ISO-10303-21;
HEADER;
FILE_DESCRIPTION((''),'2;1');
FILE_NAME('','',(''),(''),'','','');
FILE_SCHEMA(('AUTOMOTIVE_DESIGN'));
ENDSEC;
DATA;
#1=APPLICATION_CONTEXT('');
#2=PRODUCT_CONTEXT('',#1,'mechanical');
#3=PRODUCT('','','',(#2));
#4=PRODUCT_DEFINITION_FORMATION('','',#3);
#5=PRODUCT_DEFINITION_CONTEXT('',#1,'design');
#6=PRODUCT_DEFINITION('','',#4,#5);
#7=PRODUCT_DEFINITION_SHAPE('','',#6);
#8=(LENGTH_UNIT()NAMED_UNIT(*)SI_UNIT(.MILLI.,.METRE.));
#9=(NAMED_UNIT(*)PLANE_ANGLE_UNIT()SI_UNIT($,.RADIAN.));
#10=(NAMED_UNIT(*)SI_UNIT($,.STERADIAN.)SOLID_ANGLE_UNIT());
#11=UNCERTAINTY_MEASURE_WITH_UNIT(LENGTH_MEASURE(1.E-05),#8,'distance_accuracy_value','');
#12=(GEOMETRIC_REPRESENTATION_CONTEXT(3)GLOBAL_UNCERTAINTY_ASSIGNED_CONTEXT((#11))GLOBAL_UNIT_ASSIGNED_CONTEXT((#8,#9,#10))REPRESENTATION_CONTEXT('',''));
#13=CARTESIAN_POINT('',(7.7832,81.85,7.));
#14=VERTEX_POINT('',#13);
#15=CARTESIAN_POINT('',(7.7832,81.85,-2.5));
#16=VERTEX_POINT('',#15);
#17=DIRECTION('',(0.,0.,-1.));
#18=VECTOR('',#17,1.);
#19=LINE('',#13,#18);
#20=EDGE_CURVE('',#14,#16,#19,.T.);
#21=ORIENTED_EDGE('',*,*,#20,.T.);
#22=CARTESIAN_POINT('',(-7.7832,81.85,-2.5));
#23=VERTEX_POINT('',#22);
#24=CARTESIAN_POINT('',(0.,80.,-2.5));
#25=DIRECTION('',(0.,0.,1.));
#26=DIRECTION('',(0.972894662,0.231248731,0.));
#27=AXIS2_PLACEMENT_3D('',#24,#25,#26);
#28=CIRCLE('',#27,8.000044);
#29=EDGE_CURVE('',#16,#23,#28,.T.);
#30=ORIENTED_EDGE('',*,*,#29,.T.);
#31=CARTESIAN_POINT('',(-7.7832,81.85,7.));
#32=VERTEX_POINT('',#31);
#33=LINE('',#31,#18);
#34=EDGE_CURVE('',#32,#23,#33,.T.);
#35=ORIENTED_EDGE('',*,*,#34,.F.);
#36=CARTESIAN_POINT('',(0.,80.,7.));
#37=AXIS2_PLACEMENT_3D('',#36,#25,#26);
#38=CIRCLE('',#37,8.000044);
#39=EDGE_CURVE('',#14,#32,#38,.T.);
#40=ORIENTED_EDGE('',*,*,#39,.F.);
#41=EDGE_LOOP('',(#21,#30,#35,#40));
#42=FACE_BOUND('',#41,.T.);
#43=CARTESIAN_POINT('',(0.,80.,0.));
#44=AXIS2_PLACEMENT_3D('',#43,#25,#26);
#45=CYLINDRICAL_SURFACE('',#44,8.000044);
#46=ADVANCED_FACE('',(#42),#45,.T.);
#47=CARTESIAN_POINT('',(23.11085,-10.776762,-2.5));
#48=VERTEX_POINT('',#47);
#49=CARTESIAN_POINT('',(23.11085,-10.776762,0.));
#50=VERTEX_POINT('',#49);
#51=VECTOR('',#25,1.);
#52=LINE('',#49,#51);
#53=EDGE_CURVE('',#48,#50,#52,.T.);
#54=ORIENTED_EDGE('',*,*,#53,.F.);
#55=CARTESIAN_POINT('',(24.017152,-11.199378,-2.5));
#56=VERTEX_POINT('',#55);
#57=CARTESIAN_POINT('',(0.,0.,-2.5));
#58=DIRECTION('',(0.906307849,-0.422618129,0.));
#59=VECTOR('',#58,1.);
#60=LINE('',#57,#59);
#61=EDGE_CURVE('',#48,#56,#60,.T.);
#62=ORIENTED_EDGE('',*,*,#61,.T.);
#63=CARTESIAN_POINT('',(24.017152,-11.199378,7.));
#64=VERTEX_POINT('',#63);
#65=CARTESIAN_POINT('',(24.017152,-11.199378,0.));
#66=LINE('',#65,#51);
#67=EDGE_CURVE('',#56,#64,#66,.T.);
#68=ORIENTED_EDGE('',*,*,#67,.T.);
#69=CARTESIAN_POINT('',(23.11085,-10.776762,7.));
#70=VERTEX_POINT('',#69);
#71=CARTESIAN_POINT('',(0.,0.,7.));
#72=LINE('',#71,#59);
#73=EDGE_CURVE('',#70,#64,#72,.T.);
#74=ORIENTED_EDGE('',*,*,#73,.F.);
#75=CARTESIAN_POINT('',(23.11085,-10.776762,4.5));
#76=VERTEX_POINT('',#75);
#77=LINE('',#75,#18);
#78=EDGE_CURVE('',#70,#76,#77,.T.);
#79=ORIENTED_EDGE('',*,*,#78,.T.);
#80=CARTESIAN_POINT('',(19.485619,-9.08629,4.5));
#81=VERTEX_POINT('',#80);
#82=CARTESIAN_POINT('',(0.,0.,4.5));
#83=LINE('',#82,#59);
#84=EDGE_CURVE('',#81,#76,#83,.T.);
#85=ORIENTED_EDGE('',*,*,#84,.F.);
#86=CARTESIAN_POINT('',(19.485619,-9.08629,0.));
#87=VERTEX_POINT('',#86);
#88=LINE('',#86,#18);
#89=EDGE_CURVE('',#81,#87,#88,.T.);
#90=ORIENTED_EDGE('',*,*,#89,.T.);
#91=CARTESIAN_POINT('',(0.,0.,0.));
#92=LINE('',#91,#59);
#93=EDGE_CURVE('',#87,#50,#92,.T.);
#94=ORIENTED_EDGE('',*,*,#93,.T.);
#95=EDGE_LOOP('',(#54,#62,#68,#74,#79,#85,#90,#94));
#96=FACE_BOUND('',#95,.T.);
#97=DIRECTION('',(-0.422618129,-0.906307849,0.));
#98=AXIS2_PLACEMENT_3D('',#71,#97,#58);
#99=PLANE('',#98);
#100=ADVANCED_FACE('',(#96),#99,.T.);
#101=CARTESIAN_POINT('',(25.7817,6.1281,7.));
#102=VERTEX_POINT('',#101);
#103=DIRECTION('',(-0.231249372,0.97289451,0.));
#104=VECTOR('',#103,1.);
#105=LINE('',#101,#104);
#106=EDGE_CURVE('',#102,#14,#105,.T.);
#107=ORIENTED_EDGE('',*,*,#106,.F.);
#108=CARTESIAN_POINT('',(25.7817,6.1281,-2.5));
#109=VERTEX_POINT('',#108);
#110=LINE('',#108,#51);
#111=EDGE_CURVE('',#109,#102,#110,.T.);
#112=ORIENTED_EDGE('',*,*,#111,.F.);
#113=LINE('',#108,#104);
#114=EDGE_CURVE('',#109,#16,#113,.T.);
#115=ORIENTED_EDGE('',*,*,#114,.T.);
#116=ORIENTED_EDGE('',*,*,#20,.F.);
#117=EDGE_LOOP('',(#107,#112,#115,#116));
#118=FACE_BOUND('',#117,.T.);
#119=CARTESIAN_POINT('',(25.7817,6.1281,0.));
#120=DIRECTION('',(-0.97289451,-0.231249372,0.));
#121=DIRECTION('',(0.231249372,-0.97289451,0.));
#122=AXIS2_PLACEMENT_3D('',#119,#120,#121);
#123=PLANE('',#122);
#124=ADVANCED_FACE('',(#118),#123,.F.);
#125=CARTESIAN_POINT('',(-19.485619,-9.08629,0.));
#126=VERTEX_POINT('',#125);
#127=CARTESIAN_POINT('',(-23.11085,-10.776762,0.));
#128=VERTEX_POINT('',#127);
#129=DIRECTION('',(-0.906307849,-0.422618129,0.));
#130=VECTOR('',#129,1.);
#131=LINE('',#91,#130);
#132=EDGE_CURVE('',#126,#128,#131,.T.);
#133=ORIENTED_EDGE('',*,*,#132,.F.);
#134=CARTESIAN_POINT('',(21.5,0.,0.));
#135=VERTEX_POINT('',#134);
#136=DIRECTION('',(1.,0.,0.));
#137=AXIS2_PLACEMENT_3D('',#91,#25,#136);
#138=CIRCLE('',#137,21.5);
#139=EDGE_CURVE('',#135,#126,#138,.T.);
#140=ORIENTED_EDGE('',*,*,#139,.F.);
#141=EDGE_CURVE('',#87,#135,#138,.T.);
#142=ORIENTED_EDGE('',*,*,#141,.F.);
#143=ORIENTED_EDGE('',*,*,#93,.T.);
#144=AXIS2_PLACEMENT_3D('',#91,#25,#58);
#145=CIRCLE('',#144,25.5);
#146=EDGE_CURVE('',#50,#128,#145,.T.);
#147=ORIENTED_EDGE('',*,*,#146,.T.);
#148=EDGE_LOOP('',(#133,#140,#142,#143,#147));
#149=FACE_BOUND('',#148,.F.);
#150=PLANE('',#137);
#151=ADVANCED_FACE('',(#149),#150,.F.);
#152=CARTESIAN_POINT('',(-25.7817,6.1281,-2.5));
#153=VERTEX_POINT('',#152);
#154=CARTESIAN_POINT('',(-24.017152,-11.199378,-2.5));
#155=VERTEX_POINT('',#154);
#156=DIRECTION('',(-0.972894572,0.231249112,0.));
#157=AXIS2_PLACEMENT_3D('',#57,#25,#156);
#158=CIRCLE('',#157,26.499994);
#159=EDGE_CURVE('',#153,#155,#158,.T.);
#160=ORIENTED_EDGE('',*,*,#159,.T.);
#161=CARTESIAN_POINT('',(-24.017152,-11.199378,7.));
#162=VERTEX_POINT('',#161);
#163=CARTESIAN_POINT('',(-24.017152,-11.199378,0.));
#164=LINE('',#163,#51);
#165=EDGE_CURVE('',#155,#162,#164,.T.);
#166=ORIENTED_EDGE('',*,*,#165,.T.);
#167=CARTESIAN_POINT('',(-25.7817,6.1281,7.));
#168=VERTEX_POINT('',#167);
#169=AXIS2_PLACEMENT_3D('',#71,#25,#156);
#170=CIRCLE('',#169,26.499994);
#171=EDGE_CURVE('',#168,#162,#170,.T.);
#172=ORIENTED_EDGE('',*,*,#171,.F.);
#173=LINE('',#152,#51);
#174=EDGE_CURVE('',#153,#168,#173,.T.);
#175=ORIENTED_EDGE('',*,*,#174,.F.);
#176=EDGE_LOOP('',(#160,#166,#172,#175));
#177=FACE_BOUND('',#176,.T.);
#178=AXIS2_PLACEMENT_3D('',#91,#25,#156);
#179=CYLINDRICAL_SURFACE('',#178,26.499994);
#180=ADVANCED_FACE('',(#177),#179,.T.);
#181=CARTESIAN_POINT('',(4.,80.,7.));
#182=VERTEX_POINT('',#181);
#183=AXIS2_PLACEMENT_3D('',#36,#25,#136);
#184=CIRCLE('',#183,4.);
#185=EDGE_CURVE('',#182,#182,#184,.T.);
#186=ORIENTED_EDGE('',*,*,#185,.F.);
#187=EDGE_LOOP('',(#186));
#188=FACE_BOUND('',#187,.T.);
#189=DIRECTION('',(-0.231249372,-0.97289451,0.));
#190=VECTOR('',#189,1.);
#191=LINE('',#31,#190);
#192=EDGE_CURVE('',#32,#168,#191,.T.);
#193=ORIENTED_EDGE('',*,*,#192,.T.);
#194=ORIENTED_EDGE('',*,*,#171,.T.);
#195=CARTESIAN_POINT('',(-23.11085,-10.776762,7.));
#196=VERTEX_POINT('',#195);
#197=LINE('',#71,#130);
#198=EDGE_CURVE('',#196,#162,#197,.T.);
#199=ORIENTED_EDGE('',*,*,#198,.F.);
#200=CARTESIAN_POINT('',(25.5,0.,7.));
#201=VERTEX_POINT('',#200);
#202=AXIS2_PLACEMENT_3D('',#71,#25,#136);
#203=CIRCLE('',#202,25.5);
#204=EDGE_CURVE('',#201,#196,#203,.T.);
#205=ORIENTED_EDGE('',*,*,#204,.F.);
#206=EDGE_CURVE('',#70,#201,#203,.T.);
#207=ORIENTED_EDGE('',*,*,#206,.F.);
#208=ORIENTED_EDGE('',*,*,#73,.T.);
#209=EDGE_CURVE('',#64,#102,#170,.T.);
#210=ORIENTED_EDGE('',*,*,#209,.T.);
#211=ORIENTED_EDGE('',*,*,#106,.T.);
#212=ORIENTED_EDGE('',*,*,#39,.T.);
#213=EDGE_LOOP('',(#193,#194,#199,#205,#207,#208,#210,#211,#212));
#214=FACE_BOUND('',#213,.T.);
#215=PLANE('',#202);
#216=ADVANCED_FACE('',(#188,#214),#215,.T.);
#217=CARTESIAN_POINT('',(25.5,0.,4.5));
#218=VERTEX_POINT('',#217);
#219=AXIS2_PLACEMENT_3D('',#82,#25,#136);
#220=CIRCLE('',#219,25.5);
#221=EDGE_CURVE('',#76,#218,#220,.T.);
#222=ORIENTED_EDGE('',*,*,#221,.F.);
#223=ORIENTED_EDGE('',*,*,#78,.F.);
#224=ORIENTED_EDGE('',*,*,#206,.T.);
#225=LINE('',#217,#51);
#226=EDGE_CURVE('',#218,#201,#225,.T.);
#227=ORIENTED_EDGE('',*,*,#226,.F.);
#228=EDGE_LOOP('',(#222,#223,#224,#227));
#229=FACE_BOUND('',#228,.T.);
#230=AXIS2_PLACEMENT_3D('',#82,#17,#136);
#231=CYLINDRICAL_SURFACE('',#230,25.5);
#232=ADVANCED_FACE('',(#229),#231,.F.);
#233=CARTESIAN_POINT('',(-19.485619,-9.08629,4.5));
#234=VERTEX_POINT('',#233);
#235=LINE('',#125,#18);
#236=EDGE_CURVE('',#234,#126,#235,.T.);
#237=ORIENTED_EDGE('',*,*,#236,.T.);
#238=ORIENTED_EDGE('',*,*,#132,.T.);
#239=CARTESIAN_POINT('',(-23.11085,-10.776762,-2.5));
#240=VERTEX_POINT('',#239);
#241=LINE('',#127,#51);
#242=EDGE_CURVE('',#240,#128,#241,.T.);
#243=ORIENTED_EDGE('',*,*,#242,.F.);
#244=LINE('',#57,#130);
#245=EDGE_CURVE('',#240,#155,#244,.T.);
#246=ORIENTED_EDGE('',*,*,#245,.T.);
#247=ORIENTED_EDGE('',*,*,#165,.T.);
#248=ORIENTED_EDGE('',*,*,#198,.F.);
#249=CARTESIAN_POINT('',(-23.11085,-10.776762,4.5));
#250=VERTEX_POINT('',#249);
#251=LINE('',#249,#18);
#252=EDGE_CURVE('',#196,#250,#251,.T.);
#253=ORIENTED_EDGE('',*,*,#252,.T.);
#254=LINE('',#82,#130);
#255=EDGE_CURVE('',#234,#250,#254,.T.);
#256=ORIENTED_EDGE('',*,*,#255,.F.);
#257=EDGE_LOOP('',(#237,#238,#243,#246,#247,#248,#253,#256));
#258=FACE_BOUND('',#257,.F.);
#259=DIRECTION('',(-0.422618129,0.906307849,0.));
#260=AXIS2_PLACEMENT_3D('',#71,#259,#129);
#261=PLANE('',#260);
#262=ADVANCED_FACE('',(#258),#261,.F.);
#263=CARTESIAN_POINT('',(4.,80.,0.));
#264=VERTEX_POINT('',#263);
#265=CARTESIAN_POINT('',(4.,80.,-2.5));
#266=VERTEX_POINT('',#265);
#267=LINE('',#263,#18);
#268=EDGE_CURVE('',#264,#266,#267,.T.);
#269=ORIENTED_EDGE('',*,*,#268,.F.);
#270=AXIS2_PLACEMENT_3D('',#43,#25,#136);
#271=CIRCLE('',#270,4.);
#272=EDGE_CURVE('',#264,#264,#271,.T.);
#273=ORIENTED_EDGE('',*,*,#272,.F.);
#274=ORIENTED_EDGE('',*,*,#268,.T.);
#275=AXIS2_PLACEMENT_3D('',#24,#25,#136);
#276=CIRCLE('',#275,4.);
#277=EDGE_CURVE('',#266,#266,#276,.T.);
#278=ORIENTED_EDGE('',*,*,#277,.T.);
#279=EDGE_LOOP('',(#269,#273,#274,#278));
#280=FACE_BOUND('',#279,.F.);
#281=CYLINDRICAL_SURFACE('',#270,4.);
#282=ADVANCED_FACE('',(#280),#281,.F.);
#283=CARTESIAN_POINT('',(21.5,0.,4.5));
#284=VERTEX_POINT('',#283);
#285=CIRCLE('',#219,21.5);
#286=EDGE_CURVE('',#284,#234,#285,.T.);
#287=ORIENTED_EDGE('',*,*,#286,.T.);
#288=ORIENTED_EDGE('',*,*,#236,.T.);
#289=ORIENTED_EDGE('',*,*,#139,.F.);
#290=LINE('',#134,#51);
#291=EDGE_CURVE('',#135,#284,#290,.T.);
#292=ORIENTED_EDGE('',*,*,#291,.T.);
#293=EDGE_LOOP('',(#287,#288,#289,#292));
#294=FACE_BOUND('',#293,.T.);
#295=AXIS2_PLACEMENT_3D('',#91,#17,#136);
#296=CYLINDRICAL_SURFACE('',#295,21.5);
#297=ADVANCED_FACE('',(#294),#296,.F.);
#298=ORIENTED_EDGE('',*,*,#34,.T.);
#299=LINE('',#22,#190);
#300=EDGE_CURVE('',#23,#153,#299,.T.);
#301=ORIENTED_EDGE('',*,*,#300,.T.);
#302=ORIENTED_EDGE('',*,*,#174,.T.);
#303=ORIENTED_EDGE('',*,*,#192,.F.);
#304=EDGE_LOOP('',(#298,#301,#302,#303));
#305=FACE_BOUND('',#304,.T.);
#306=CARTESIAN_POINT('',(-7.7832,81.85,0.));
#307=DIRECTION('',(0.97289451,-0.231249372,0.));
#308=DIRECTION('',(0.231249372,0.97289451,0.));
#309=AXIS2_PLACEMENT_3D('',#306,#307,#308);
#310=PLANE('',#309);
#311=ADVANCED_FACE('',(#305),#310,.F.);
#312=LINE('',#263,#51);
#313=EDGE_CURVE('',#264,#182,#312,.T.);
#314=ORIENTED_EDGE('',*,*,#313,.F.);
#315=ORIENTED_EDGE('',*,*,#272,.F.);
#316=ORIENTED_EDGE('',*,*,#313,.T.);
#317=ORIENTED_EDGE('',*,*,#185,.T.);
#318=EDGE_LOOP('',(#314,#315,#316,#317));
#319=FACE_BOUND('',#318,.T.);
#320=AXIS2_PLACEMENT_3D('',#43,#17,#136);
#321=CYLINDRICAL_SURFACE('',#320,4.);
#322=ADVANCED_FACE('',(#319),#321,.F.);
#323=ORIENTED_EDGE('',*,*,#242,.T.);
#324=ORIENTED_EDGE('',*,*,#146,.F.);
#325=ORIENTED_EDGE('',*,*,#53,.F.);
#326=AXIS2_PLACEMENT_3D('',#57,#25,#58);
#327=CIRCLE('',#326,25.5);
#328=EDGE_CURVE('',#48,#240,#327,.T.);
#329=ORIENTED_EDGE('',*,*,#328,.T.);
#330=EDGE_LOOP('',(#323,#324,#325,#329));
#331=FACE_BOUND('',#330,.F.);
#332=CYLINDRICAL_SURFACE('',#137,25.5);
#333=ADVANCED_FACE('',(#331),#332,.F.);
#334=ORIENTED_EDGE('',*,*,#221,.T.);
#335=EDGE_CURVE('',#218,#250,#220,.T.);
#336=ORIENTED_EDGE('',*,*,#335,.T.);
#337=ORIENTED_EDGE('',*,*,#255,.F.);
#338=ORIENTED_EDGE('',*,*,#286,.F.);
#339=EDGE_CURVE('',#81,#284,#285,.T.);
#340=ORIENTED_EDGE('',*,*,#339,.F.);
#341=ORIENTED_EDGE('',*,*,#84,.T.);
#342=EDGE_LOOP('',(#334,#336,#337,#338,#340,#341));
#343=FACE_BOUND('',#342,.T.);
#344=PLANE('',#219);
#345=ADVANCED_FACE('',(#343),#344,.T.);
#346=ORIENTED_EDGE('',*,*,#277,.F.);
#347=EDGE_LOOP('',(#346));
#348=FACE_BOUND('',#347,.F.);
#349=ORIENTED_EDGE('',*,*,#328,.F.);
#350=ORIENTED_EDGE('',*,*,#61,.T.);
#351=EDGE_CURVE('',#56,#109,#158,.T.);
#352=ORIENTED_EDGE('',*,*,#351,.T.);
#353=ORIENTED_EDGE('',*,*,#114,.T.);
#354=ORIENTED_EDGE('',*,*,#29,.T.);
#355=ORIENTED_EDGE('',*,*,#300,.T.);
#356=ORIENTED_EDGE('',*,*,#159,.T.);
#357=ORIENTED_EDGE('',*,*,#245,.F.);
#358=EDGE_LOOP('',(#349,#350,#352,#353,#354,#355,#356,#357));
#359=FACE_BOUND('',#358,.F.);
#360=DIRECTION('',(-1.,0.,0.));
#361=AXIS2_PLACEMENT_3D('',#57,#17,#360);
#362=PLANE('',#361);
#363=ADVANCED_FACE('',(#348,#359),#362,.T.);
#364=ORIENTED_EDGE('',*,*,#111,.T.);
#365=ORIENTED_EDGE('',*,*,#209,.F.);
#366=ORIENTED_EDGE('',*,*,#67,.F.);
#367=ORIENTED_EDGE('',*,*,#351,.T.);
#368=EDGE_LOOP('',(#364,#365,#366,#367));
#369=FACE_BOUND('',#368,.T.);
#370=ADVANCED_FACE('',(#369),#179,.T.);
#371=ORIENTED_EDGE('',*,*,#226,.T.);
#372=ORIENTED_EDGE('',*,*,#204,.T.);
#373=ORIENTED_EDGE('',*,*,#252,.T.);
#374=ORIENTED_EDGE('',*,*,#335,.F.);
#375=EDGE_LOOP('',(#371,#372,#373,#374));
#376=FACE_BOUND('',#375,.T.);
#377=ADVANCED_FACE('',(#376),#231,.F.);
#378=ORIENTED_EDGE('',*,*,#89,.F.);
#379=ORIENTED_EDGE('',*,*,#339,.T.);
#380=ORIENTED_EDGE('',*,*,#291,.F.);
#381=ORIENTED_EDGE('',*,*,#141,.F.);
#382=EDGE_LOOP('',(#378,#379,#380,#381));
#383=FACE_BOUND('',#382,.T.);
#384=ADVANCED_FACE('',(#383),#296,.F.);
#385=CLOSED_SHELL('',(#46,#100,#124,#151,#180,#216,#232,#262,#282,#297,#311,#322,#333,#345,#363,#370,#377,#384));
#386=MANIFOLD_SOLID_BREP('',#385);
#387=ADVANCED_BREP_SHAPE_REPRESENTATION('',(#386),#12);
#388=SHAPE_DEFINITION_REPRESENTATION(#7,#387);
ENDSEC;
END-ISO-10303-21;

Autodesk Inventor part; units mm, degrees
ref_plane "YZ Plane" through (0, 0, 0) normal (1, 0, 0) x (0, 1, 0)
ref_plane "XZ Plane" through (0, 0, 0) normal (0, 1, 0) x (-1, 0, 0)
sketch "Sketch1" plane through (0, 0, 0) normal (0, 0, 1) x (1, 0, 0)
  circle A0 centre (0, 0) radius 21.5
  arc A1 (-25.7817, 6.1281) -> (25.7817, 6.1281) centre (0, 0) ccw
  line L0 (0, 0) -> (0, 80) construction
  circle A2 centre (0, 80) radius 4
  arc A3 (7.7832, 81.85) -> (-7.7832, 81.85) centre (0, 80) ccw
  line L1 (-7.7832, 81.85) -> (-25.7817, 6.1281)
  line L2 (7.7832, 81.85) -> (25.7817, 6.1281)
  dimension "d0" = 43
  dimension "d1" = 8
  dimension "d2" = 80
  dimension "d3" = 8
  dimension "d4" = 5
extrude "Extrusion1" add sketch "Sketch1" along normal blind 4.5
sketch "Sketch2" plane through (0, 0, 4.5) normal (0, 0, 1) x (1, 0, 0)
  circle A0 centre (0, 0) radius 21.5 projected
  circle A1 centre (0, 80) radius 4 projected
  arc A2 (-25.7817, 6.1281) -> (25.7817, 6.1281) centre (0, 0) ccw projected
  line L0 (25.7817, 6.1281) -> (7.7832, 81.85) projected
  arc A3 (7.7832, 81.85) -> (-7.7832, 81.85) centre (0, 80) ccw projected
  line L1 (-7.7832, 81.85) -> (-25.7817, 6.1281) projected
  circle A4 centre (0, 0) radius 25.5
  dimension "d7" = 51
extrude "Extrusion2" add sketch "Sketch2" along normal blind 2.5 contours L1 A3 L0 A2
ref_plane "Work Plane1" through (0, 0, 2.25) normal (0, 0, 1) x (1, 0, 0)
mirror "Mirror1" about plane through (0, 0, 2.25) normal (0, 0, 1) of "Extrusion2"
sketch "Sketch3" plane through (0, 0, 7) normal (0, 0, 1) x (1, 0, 0)
  arc A0 (-25.7817, 6.1281) -> (25.7817, 6.1281) centre (0, 0) ccw construction
  line L0 (0, 0) -> (-24.0172, -11.1994)
  line L1 (0, 0) -> (24.0172, -11.1994)
  arc A1 (-24.0172, -11.1994) -> (24.0172, -11.1994) centre (0, 0) ccw
  line L2 (0, 0) -> (0, -26.5) construction
  dimension "d10" = 130
extrude "Extrusion3" cut sketch "Sketch3" against normal through all
properties part number "fork"
